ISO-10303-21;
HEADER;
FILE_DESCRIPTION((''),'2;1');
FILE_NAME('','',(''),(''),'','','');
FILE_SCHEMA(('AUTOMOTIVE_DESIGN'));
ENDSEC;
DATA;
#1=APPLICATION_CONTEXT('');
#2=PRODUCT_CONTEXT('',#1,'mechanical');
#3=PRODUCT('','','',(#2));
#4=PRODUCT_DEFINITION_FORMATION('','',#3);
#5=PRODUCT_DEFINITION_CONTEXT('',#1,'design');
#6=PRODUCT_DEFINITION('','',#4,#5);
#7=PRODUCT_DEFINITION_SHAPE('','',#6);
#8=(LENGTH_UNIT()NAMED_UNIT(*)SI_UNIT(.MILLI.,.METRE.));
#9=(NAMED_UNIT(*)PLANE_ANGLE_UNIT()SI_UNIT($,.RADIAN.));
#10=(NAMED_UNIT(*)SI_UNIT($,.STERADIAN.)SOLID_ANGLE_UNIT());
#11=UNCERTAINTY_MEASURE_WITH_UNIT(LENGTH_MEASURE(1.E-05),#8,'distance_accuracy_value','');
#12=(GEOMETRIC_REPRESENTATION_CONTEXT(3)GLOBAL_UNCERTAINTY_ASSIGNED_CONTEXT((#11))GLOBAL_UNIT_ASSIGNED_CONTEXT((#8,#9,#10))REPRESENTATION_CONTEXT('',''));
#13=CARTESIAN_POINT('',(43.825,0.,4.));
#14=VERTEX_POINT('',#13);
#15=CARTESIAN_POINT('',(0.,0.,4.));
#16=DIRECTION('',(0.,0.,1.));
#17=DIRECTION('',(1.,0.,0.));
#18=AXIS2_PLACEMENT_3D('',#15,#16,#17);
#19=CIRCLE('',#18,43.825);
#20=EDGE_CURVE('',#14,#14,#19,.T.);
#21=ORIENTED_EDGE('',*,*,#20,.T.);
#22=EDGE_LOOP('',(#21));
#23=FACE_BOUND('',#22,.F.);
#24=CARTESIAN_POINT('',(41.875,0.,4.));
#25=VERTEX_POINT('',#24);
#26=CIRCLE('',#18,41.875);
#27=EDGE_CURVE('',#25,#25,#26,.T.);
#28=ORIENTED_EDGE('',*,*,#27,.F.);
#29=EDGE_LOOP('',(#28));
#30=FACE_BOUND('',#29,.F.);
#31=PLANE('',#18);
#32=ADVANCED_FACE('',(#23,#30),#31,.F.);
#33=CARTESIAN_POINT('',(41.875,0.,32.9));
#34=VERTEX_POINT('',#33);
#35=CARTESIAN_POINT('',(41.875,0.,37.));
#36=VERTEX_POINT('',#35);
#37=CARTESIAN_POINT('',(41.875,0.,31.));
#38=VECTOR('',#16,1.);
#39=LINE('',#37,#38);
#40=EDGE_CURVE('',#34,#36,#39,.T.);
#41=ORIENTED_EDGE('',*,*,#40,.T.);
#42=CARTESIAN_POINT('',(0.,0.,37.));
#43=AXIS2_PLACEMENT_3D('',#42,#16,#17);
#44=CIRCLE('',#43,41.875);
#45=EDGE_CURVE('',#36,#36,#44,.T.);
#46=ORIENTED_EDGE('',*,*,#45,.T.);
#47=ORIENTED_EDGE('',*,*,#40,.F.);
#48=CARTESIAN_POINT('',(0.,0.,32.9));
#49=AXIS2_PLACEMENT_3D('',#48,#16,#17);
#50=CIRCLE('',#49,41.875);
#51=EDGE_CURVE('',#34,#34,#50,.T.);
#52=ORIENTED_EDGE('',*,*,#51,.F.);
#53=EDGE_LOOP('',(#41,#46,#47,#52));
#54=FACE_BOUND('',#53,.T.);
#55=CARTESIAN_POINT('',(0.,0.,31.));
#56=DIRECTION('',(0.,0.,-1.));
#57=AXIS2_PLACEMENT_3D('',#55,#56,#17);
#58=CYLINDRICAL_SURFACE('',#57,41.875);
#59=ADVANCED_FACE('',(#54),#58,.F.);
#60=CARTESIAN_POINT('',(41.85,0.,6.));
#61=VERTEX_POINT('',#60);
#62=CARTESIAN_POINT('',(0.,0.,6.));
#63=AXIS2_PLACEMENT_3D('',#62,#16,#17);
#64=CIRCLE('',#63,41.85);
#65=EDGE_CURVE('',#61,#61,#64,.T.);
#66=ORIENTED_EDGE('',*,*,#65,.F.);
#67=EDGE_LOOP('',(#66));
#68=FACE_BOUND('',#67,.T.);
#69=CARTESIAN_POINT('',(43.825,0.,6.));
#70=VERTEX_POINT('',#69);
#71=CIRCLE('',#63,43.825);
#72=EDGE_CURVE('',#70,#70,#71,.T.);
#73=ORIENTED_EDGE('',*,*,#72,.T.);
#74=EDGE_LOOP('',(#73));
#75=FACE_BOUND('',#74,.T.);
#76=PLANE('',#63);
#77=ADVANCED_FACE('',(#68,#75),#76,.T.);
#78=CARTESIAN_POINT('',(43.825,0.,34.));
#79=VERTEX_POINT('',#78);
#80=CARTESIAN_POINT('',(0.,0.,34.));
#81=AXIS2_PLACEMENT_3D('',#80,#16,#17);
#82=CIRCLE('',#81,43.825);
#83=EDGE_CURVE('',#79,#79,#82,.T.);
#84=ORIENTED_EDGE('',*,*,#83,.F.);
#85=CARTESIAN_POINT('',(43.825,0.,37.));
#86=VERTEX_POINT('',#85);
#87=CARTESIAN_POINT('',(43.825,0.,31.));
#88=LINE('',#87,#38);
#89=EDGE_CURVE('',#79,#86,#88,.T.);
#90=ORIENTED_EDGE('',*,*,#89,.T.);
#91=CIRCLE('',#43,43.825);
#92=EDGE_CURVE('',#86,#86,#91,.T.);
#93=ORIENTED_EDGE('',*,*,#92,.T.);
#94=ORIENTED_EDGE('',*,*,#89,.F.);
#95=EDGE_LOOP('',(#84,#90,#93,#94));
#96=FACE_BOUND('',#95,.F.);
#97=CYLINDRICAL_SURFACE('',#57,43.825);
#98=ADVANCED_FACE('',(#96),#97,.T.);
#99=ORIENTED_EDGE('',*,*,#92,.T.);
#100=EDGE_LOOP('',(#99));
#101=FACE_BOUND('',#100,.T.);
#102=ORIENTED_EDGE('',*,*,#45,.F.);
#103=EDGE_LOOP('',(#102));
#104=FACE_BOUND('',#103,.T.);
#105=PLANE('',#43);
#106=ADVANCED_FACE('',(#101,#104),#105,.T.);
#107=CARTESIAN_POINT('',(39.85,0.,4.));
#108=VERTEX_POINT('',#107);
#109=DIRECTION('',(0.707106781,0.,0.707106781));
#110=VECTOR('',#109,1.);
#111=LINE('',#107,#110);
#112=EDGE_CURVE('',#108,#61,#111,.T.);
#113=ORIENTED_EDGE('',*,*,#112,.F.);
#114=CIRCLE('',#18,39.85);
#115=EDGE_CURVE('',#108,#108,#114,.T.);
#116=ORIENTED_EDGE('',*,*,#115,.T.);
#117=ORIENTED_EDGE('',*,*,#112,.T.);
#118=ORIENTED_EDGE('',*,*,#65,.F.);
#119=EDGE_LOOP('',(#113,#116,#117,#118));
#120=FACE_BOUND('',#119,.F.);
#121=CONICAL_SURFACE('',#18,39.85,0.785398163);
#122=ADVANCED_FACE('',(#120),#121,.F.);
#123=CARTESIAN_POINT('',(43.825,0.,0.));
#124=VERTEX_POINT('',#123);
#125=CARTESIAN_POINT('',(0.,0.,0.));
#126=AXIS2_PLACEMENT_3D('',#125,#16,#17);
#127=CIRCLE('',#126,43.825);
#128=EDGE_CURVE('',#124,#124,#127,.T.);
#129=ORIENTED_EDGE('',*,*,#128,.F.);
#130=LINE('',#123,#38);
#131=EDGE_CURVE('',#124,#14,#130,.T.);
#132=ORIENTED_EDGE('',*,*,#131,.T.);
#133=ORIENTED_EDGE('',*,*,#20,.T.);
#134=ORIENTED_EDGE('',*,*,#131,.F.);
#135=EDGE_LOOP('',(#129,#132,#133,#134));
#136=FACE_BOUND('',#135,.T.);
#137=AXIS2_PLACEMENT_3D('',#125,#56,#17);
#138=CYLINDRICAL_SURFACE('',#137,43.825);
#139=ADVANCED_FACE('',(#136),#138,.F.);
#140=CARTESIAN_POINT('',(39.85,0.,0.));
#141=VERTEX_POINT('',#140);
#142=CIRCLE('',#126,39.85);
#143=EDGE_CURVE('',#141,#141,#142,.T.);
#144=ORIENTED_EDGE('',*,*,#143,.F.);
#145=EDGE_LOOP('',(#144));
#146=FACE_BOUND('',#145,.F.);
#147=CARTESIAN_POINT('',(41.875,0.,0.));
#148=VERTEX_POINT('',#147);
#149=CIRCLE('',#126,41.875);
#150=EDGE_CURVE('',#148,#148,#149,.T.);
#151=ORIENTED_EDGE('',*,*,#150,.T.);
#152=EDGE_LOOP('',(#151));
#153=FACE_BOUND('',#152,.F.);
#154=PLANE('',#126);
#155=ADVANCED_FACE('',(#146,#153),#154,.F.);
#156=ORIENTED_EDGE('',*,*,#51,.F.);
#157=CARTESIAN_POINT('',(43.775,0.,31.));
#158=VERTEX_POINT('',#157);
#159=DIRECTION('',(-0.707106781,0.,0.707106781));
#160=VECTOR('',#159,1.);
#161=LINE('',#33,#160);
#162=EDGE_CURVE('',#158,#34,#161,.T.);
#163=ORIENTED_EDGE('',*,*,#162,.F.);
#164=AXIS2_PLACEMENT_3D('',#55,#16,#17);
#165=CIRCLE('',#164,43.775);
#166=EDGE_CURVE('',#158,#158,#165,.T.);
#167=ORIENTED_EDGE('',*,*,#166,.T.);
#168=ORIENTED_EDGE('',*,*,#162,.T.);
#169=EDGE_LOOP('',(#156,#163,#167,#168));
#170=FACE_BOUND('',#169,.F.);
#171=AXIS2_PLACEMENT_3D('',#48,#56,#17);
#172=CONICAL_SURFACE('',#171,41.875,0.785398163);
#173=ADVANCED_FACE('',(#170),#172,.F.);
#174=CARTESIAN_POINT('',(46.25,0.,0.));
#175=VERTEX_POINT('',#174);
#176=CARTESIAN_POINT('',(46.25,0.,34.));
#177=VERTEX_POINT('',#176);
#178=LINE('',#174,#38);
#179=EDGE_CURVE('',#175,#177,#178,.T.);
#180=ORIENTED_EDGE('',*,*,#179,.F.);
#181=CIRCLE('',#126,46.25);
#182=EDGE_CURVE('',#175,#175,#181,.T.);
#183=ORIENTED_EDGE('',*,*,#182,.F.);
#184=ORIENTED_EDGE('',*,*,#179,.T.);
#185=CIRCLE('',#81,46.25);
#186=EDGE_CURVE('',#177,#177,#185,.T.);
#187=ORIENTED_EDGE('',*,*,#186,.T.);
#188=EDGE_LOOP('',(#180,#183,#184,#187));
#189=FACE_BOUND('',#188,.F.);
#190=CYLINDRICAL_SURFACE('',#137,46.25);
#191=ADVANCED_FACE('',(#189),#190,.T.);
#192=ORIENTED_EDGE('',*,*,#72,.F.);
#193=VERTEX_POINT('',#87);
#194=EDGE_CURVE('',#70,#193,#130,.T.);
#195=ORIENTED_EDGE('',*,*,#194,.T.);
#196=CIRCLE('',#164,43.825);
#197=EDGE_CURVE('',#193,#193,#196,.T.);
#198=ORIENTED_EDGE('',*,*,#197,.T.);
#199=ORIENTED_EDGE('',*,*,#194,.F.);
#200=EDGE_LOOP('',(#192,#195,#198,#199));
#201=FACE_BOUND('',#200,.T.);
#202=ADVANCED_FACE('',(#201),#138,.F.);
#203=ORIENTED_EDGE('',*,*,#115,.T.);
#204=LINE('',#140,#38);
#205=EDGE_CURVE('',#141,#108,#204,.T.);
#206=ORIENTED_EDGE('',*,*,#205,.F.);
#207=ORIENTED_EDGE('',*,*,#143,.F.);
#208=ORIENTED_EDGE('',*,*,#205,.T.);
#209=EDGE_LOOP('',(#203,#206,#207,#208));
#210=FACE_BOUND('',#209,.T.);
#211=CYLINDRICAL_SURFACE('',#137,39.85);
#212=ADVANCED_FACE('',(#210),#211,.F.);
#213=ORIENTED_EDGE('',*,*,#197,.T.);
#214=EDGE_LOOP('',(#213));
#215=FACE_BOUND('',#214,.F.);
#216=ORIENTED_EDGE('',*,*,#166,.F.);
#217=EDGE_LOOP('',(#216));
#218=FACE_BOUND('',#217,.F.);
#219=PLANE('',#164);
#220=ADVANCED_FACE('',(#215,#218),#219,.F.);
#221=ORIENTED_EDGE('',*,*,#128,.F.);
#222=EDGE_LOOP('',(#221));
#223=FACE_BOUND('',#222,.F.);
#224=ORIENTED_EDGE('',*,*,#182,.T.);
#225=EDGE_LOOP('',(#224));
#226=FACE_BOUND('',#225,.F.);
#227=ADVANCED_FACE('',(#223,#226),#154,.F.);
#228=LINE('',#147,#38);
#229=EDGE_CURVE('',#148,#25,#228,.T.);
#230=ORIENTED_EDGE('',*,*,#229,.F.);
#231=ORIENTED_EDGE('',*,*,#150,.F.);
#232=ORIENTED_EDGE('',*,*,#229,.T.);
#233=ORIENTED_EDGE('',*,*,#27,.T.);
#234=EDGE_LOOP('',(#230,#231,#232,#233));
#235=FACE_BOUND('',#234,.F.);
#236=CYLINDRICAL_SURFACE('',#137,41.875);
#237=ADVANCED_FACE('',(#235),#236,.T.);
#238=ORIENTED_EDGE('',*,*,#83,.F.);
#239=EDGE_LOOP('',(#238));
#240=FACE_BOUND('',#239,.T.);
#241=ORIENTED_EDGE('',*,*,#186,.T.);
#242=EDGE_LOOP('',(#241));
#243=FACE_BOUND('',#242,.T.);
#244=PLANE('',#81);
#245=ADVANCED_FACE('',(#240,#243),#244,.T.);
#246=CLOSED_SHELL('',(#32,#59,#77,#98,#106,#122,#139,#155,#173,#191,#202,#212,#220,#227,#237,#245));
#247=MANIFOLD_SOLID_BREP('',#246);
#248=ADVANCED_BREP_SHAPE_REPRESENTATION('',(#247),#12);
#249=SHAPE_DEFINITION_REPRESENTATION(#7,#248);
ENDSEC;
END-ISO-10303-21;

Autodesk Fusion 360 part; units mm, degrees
sketch "chamber" plane through (0, 0, 0) normal (0, 0, 1) x (1, 0, 0)
  circle A0 centre (0, 0) radius 43.825
  circle A1 centre (0, 0) radius 41.875
  circle A2 centre (0, 0) radius 46.25
  circle A3 centre (0, 0) radius 39.85
  dimension "d4" = 87.65
  dimension "d5" = 83.75
  dimension "d6" = 92.5
  dimension "d14" = 79.7
extrude "Extrude1" add sketch "chamber" along normal blind 34 contours A2
extrude "Extrude3" add sketch "chamber" along normal blind 6 from surface at 31 contours A0
extrude "Extrude4" add sketch "chamber" along normal blind 6 contours A0 | A1
extrude "Extrude5" cut sketch "chamber" along normal blind 4 contours A0
chamfer "Chamfer1" distance 2 angle 45 1 edges at (-37.1532, 14.4104, 6)
chamfer "Chamfer2" distance 1.9 angle 45 1 edges at (-39.0412, 15.1426, 31)
equation "ChamberSize = 92.5 mm"
equation "ChamberOffset = 4.8 mm"
equation "ChamberInner = 4 mm"
equation "d4 = ChamberSize - ChamberOffset - 0.05 mm"
equation "d5 = ChamberSize - ChamberOffset - ChamberInner + 0.05 mm"
equation "d6 = ChamberSize"
equation "ChamberHeight = 34 mm"
equation "d8 = ChamberHeight"
equation "ChamberLip = 4 mm"
equation "d14 = ChamberSize - ChamberOffset - ChamberInner - 4 mm"
equation "d15 = ChamberLip + 2 mm"
equation "d17 = ChamberHeight - 3 mm"
